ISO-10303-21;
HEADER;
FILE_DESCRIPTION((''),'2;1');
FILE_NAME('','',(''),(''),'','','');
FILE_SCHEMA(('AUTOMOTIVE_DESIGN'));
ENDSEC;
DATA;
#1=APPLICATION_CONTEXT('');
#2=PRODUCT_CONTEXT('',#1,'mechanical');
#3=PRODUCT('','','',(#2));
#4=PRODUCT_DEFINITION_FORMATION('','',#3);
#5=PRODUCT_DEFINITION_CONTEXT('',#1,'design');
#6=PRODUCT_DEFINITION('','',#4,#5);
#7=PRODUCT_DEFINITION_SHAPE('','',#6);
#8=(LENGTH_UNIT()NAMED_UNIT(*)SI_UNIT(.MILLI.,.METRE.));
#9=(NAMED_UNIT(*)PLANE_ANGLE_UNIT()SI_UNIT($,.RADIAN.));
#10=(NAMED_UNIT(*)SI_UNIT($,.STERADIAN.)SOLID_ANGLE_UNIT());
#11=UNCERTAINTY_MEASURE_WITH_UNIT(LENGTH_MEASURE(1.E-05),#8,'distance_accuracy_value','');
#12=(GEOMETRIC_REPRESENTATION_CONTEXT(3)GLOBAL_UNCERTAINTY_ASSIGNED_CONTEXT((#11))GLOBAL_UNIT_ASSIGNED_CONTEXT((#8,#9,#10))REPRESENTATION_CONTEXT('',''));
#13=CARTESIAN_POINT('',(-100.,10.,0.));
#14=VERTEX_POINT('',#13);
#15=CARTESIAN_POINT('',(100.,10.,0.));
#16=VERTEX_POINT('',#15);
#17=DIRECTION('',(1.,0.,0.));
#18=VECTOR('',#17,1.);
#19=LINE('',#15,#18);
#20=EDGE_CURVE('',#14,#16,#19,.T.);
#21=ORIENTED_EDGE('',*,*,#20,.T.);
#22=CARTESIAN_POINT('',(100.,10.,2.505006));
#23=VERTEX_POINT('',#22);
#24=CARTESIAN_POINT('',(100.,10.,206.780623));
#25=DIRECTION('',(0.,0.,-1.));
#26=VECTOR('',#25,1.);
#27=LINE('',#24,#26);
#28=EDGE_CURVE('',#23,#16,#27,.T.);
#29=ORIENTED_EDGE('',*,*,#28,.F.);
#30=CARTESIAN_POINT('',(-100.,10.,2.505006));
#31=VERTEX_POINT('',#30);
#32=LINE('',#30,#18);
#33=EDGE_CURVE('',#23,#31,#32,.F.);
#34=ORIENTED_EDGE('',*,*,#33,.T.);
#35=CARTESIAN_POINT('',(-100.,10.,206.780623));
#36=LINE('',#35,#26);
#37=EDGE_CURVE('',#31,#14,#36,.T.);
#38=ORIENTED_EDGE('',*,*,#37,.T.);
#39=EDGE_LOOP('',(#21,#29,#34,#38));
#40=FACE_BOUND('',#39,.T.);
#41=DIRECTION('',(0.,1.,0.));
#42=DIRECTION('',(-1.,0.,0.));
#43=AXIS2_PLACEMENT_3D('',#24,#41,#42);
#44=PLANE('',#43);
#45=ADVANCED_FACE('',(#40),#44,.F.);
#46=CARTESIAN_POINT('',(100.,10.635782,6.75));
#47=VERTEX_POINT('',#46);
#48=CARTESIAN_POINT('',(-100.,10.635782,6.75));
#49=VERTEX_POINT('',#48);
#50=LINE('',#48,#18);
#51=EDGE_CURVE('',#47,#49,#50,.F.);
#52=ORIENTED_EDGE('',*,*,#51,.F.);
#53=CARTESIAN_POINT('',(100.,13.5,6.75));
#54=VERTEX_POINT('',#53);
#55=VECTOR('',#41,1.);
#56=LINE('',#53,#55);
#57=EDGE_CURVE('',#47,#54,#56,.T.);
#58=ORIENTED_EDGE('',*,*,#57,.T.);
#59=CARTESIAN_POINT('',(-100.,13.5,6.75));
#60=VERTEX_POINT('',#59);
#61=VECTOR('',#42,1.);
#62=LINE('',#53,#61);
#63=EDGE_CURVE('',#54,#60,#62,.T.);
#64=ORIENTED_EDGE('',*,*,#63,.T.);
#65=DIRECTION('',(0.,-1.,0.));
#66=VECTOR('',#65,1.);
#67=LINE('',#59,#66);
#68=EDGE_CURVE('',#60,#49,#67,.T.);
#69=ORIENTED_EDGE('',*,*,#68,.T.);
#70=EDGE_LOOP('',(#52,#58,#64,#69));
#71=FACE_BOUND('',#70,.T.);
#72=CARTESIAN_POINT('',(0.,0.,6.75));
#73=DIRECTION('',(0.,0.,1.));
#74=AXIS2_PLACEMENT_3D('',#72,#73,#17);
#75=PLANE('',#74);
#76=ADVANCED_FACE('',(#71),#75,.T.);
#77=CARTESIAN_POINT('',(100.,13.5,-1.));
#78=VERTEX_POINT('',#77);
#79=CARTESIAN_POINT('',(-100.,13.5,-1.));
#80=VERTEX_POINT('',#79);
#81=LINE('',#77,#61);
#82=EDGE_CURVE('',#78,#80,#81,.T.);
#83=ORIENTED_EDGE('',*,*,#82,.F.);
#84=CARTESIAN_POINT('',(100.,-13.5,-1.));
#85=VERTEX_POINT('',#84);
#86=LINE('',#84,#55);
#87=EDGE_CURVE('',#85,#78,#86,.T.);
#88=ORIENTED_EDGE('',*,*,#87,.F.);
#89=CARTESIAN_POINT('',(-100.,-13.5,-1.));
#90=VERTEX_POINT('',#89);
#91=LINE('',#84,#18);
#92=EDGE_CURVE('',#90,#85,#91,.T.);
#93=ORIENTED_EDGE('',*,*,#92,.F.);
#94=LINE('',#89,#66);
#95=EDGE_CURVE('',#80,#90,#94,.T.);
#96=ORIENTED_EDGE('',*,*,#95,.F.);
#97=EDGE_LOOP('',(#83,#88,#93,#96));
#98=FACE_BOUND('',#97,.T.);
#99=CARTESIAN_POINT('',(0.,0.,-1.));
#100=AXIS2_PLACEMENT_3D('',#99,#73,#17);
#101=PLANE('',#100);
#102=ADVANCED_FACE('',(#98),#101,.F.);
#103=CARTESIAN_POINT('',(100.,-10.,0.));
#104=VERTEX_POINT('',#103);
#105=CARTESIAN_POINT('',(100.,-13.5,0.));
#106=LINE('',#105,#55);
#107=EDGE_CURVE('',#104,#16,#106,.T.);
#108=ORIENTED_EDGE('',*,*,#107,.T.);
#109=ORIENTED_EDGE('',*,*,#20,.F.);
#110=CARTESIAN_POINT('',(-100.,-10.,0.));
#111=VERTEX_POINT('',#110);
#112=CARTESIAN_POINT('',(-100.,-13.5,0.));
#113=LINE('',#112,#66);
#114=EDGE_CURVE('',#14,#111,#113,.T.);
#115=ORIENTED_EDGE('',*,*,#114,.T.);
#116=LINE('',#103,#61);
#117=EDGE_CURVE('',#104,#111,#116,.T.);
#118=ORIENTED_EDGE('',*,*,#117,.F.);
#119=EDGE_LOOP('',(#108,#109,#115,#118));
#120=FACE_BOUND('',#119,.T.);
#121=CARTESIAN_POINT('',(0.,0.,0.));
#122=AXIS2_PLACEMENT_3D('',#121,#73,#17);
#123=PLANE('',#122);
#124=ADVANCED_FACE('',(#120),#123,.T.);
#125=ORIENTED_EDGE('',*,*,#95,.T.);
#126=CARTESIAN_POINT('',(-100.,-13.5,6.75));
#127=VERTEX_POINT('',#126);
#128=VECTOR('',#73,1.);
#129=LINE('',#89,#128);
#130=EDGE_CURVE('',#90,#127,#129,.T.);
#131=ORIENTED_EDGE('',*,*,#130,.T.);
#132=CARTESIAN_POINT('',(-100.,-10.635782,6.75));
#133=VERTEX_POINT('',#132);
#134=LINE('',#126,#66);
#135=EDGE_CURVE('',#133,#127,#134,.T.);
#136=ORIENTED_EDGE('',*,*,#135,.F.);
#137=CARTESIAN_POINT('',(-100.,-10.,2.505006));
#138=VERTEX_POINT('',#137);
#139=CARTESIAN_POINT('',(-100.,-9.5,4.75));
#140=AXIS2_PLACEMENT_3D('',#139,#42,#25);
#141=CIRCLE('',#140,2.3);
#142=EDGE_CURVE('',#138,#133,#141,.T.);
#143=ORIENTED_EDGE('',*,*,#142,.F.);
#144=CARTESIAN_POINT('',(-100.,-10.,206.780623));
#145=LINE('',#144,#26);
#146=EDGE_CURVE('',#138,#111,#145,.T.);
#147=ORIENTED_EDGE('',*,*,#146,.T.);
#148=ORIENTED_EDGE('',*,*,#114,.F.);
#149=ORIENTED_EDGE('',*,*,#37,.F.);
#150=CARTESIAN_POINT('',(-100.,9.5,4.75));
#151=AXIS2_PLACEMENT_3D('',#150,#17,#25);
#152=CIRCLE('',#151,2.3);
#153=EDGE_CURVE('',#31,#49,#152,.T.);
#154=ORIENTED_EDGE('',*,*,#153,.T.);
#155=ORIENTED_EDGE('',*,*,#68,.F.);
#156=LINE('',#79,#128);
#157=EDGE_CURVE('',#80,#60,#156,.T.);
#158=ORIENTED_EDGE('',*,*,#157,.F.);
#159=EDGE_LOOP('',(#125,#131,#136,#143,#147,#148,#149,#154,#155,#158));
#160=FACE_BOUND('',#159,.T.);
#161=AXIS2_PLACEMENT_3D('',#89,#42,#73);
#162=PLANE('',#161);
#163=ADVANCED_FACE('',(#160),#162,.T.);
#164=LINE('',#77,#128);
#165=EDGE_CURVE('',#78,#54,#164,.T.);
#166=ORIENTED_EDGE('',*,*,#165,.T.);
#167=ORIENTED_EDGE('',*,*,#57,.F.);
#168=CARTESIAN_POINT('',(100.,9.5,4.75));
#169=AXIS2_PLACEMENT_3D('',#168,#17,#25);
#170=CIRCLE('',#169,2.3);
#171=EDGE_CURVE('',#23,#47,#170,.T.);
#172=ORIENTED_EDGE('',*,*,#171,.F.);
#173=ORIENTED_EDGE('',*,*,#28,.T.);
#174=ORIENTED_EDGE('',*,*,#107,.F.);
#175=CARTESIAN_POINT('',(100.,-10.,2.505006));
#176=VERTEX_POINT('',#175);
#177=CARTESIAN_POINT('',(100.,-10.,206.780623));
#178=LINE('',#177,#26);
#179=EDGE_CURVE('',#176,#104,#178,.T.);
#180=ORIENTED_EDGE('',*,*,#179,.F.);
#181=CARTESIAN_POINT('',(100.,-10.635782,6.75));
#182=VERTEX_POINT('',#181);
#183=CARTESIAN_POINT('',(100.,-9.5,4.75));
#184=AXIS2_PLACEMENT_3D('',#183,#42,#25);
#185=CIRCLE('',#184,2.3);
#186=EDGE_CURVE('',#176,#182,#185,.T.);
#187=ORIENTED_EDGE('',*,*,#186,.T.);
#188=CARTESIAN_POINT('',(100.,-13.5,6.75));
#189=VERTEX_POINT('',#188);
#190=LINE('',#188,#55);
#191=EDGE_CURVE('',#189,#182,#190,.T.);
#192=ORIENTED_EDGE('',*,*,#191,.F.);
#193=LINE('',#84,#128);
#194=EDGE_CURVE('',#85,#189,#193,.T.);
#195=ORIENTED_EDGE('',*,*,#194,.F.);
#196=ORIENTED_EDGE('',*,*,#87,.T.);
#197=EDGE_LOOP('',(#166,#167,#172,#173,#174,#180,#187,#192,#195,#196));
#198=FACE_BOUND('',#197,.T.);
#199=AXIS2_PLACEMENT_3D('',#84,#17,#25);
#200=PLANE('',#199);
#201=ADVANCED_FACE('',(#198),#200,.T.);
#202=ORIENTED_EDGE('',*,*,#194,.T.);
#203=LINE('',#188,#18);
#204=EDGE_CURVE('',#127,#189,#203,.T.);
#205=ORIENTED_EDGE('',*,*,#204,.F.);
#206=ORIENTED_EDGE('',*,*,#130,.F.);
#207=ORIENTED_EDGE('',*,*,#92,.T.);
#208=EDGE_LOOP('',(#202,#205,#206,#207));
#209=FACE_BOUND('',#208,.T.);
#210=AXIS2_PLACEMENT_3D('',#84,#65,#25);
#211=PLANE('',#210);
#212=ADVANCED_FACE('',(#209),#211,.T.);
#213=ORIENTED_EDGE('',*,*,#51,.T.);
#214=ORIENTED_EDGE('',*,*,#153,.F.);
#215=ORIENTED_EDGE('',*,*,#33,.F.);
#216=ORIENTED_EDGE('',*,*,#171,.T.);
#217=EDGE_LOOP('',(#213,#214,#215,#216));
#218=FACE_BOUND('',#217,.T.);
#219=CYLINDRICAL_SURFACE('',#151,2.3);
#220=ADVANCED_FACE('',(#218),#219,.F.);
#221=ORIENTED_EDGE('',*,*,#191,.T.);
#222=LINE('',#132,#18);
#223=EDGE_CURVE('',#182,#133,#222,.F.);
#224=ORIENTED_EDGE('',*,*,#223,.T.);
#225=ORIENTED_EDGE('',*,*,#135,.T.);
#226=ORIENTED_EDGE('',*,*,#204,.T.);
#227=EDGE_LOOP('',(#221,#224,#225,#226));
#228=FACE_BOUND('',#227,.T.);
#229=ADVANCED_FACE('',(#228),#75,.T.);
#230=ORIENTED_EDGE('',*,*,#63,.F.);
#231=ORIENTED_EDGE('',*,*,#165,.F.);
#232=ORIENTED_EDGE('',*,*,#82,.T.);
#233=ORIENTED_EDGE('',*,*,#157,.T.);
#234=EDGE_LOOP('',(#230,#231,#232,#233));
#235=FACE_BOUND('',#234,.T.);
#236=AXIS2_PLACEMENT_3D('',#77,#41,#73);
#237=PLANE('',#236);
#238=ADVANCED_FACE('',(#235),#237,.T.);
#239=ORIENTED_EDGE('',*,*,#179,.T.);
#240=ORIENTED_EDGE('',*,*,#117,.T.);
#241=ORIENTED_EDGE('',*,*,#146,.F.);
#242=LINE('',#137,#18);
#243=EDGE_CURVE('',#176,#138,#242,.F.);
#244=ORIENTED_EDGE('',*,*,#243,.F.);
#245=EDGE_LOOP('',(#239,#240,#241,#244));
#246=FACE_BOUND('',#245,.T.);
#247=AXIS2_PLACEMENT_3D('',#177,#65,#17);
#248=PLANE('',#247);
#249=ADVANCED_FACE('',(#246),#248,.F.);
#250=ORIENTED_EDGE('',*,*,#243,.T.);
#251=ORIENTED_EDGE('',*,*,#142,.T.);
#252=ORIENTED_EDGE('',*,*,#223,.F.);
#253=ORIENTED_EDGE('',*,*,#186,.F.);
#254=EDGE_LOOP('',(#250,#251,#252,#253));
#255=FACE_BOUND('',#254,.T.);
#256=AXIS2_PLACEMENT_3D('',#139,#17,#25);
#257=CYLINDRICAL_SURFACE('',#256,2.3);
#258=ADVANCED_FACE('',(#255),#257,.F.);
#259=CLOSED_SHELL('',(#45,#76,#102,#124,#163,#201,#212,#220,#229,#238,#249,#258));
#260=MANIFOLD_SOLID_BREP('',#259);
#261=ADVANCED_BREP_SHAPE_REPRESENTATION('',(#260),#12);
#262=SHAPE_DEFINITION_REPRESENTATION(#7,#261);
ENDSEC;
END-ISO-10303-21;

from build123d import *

# Parameters (mm, degrees)
SKETCH1_W           = 200
SKETCH1_H           = 27
BOSS_EXTRUDE1_DEPTH = 1
SKETCH2_W           = 200
SKETCH2_H           = 3.5
BOSS_EXTRUDE2_DEPTH = 6.75
SKETCH3_R           = 2.3
TOP_SLOT_DEPTH      = 102.132648042


with BuildPart() as part:
    # Sketch1 → Boss-Extrude1 (new body)
    with BuildSketch(Plane.XY):
        Rectangle(SKETCH1_W, SKETCH1_H)
    extrude(amount=-BOSS_EXTRUDE1_DEPTH)

    # Sketch2 → Boss-Extrude2 (add)
    with BuildSketch(Plane.XY):
        with Locations((0, 11.75)):
            Rectangle(SKETCH2_W, SKETCH2_H)
        with Locations((0, -11.75)):
            Rectangle(SKETCH2_W, SKETCH2_H)
    extrude(amount=BOSS_EXTRUDE2_DEPTH)

    # Sketch3 → Top Slot (cut, symmetric)
    with BuildSketch(Plane(origin=(0, 0, 0), x_dir=(0, 0, -1), z_dir=(1, 0, 0))):
        with Locations((-4.75, 9.5)):
            Circle(SKETCH3_R)
    top_slot = extrude(amount=TOP_SLOT_DEPTH, both=True, mode=Mode.SUBTRACT)

    # Bottom Slot: Top Slot across plane
    add(top_slot.mirror(Plane.ZX), mode=Mode.SUBTRACT)


solid = part.part
